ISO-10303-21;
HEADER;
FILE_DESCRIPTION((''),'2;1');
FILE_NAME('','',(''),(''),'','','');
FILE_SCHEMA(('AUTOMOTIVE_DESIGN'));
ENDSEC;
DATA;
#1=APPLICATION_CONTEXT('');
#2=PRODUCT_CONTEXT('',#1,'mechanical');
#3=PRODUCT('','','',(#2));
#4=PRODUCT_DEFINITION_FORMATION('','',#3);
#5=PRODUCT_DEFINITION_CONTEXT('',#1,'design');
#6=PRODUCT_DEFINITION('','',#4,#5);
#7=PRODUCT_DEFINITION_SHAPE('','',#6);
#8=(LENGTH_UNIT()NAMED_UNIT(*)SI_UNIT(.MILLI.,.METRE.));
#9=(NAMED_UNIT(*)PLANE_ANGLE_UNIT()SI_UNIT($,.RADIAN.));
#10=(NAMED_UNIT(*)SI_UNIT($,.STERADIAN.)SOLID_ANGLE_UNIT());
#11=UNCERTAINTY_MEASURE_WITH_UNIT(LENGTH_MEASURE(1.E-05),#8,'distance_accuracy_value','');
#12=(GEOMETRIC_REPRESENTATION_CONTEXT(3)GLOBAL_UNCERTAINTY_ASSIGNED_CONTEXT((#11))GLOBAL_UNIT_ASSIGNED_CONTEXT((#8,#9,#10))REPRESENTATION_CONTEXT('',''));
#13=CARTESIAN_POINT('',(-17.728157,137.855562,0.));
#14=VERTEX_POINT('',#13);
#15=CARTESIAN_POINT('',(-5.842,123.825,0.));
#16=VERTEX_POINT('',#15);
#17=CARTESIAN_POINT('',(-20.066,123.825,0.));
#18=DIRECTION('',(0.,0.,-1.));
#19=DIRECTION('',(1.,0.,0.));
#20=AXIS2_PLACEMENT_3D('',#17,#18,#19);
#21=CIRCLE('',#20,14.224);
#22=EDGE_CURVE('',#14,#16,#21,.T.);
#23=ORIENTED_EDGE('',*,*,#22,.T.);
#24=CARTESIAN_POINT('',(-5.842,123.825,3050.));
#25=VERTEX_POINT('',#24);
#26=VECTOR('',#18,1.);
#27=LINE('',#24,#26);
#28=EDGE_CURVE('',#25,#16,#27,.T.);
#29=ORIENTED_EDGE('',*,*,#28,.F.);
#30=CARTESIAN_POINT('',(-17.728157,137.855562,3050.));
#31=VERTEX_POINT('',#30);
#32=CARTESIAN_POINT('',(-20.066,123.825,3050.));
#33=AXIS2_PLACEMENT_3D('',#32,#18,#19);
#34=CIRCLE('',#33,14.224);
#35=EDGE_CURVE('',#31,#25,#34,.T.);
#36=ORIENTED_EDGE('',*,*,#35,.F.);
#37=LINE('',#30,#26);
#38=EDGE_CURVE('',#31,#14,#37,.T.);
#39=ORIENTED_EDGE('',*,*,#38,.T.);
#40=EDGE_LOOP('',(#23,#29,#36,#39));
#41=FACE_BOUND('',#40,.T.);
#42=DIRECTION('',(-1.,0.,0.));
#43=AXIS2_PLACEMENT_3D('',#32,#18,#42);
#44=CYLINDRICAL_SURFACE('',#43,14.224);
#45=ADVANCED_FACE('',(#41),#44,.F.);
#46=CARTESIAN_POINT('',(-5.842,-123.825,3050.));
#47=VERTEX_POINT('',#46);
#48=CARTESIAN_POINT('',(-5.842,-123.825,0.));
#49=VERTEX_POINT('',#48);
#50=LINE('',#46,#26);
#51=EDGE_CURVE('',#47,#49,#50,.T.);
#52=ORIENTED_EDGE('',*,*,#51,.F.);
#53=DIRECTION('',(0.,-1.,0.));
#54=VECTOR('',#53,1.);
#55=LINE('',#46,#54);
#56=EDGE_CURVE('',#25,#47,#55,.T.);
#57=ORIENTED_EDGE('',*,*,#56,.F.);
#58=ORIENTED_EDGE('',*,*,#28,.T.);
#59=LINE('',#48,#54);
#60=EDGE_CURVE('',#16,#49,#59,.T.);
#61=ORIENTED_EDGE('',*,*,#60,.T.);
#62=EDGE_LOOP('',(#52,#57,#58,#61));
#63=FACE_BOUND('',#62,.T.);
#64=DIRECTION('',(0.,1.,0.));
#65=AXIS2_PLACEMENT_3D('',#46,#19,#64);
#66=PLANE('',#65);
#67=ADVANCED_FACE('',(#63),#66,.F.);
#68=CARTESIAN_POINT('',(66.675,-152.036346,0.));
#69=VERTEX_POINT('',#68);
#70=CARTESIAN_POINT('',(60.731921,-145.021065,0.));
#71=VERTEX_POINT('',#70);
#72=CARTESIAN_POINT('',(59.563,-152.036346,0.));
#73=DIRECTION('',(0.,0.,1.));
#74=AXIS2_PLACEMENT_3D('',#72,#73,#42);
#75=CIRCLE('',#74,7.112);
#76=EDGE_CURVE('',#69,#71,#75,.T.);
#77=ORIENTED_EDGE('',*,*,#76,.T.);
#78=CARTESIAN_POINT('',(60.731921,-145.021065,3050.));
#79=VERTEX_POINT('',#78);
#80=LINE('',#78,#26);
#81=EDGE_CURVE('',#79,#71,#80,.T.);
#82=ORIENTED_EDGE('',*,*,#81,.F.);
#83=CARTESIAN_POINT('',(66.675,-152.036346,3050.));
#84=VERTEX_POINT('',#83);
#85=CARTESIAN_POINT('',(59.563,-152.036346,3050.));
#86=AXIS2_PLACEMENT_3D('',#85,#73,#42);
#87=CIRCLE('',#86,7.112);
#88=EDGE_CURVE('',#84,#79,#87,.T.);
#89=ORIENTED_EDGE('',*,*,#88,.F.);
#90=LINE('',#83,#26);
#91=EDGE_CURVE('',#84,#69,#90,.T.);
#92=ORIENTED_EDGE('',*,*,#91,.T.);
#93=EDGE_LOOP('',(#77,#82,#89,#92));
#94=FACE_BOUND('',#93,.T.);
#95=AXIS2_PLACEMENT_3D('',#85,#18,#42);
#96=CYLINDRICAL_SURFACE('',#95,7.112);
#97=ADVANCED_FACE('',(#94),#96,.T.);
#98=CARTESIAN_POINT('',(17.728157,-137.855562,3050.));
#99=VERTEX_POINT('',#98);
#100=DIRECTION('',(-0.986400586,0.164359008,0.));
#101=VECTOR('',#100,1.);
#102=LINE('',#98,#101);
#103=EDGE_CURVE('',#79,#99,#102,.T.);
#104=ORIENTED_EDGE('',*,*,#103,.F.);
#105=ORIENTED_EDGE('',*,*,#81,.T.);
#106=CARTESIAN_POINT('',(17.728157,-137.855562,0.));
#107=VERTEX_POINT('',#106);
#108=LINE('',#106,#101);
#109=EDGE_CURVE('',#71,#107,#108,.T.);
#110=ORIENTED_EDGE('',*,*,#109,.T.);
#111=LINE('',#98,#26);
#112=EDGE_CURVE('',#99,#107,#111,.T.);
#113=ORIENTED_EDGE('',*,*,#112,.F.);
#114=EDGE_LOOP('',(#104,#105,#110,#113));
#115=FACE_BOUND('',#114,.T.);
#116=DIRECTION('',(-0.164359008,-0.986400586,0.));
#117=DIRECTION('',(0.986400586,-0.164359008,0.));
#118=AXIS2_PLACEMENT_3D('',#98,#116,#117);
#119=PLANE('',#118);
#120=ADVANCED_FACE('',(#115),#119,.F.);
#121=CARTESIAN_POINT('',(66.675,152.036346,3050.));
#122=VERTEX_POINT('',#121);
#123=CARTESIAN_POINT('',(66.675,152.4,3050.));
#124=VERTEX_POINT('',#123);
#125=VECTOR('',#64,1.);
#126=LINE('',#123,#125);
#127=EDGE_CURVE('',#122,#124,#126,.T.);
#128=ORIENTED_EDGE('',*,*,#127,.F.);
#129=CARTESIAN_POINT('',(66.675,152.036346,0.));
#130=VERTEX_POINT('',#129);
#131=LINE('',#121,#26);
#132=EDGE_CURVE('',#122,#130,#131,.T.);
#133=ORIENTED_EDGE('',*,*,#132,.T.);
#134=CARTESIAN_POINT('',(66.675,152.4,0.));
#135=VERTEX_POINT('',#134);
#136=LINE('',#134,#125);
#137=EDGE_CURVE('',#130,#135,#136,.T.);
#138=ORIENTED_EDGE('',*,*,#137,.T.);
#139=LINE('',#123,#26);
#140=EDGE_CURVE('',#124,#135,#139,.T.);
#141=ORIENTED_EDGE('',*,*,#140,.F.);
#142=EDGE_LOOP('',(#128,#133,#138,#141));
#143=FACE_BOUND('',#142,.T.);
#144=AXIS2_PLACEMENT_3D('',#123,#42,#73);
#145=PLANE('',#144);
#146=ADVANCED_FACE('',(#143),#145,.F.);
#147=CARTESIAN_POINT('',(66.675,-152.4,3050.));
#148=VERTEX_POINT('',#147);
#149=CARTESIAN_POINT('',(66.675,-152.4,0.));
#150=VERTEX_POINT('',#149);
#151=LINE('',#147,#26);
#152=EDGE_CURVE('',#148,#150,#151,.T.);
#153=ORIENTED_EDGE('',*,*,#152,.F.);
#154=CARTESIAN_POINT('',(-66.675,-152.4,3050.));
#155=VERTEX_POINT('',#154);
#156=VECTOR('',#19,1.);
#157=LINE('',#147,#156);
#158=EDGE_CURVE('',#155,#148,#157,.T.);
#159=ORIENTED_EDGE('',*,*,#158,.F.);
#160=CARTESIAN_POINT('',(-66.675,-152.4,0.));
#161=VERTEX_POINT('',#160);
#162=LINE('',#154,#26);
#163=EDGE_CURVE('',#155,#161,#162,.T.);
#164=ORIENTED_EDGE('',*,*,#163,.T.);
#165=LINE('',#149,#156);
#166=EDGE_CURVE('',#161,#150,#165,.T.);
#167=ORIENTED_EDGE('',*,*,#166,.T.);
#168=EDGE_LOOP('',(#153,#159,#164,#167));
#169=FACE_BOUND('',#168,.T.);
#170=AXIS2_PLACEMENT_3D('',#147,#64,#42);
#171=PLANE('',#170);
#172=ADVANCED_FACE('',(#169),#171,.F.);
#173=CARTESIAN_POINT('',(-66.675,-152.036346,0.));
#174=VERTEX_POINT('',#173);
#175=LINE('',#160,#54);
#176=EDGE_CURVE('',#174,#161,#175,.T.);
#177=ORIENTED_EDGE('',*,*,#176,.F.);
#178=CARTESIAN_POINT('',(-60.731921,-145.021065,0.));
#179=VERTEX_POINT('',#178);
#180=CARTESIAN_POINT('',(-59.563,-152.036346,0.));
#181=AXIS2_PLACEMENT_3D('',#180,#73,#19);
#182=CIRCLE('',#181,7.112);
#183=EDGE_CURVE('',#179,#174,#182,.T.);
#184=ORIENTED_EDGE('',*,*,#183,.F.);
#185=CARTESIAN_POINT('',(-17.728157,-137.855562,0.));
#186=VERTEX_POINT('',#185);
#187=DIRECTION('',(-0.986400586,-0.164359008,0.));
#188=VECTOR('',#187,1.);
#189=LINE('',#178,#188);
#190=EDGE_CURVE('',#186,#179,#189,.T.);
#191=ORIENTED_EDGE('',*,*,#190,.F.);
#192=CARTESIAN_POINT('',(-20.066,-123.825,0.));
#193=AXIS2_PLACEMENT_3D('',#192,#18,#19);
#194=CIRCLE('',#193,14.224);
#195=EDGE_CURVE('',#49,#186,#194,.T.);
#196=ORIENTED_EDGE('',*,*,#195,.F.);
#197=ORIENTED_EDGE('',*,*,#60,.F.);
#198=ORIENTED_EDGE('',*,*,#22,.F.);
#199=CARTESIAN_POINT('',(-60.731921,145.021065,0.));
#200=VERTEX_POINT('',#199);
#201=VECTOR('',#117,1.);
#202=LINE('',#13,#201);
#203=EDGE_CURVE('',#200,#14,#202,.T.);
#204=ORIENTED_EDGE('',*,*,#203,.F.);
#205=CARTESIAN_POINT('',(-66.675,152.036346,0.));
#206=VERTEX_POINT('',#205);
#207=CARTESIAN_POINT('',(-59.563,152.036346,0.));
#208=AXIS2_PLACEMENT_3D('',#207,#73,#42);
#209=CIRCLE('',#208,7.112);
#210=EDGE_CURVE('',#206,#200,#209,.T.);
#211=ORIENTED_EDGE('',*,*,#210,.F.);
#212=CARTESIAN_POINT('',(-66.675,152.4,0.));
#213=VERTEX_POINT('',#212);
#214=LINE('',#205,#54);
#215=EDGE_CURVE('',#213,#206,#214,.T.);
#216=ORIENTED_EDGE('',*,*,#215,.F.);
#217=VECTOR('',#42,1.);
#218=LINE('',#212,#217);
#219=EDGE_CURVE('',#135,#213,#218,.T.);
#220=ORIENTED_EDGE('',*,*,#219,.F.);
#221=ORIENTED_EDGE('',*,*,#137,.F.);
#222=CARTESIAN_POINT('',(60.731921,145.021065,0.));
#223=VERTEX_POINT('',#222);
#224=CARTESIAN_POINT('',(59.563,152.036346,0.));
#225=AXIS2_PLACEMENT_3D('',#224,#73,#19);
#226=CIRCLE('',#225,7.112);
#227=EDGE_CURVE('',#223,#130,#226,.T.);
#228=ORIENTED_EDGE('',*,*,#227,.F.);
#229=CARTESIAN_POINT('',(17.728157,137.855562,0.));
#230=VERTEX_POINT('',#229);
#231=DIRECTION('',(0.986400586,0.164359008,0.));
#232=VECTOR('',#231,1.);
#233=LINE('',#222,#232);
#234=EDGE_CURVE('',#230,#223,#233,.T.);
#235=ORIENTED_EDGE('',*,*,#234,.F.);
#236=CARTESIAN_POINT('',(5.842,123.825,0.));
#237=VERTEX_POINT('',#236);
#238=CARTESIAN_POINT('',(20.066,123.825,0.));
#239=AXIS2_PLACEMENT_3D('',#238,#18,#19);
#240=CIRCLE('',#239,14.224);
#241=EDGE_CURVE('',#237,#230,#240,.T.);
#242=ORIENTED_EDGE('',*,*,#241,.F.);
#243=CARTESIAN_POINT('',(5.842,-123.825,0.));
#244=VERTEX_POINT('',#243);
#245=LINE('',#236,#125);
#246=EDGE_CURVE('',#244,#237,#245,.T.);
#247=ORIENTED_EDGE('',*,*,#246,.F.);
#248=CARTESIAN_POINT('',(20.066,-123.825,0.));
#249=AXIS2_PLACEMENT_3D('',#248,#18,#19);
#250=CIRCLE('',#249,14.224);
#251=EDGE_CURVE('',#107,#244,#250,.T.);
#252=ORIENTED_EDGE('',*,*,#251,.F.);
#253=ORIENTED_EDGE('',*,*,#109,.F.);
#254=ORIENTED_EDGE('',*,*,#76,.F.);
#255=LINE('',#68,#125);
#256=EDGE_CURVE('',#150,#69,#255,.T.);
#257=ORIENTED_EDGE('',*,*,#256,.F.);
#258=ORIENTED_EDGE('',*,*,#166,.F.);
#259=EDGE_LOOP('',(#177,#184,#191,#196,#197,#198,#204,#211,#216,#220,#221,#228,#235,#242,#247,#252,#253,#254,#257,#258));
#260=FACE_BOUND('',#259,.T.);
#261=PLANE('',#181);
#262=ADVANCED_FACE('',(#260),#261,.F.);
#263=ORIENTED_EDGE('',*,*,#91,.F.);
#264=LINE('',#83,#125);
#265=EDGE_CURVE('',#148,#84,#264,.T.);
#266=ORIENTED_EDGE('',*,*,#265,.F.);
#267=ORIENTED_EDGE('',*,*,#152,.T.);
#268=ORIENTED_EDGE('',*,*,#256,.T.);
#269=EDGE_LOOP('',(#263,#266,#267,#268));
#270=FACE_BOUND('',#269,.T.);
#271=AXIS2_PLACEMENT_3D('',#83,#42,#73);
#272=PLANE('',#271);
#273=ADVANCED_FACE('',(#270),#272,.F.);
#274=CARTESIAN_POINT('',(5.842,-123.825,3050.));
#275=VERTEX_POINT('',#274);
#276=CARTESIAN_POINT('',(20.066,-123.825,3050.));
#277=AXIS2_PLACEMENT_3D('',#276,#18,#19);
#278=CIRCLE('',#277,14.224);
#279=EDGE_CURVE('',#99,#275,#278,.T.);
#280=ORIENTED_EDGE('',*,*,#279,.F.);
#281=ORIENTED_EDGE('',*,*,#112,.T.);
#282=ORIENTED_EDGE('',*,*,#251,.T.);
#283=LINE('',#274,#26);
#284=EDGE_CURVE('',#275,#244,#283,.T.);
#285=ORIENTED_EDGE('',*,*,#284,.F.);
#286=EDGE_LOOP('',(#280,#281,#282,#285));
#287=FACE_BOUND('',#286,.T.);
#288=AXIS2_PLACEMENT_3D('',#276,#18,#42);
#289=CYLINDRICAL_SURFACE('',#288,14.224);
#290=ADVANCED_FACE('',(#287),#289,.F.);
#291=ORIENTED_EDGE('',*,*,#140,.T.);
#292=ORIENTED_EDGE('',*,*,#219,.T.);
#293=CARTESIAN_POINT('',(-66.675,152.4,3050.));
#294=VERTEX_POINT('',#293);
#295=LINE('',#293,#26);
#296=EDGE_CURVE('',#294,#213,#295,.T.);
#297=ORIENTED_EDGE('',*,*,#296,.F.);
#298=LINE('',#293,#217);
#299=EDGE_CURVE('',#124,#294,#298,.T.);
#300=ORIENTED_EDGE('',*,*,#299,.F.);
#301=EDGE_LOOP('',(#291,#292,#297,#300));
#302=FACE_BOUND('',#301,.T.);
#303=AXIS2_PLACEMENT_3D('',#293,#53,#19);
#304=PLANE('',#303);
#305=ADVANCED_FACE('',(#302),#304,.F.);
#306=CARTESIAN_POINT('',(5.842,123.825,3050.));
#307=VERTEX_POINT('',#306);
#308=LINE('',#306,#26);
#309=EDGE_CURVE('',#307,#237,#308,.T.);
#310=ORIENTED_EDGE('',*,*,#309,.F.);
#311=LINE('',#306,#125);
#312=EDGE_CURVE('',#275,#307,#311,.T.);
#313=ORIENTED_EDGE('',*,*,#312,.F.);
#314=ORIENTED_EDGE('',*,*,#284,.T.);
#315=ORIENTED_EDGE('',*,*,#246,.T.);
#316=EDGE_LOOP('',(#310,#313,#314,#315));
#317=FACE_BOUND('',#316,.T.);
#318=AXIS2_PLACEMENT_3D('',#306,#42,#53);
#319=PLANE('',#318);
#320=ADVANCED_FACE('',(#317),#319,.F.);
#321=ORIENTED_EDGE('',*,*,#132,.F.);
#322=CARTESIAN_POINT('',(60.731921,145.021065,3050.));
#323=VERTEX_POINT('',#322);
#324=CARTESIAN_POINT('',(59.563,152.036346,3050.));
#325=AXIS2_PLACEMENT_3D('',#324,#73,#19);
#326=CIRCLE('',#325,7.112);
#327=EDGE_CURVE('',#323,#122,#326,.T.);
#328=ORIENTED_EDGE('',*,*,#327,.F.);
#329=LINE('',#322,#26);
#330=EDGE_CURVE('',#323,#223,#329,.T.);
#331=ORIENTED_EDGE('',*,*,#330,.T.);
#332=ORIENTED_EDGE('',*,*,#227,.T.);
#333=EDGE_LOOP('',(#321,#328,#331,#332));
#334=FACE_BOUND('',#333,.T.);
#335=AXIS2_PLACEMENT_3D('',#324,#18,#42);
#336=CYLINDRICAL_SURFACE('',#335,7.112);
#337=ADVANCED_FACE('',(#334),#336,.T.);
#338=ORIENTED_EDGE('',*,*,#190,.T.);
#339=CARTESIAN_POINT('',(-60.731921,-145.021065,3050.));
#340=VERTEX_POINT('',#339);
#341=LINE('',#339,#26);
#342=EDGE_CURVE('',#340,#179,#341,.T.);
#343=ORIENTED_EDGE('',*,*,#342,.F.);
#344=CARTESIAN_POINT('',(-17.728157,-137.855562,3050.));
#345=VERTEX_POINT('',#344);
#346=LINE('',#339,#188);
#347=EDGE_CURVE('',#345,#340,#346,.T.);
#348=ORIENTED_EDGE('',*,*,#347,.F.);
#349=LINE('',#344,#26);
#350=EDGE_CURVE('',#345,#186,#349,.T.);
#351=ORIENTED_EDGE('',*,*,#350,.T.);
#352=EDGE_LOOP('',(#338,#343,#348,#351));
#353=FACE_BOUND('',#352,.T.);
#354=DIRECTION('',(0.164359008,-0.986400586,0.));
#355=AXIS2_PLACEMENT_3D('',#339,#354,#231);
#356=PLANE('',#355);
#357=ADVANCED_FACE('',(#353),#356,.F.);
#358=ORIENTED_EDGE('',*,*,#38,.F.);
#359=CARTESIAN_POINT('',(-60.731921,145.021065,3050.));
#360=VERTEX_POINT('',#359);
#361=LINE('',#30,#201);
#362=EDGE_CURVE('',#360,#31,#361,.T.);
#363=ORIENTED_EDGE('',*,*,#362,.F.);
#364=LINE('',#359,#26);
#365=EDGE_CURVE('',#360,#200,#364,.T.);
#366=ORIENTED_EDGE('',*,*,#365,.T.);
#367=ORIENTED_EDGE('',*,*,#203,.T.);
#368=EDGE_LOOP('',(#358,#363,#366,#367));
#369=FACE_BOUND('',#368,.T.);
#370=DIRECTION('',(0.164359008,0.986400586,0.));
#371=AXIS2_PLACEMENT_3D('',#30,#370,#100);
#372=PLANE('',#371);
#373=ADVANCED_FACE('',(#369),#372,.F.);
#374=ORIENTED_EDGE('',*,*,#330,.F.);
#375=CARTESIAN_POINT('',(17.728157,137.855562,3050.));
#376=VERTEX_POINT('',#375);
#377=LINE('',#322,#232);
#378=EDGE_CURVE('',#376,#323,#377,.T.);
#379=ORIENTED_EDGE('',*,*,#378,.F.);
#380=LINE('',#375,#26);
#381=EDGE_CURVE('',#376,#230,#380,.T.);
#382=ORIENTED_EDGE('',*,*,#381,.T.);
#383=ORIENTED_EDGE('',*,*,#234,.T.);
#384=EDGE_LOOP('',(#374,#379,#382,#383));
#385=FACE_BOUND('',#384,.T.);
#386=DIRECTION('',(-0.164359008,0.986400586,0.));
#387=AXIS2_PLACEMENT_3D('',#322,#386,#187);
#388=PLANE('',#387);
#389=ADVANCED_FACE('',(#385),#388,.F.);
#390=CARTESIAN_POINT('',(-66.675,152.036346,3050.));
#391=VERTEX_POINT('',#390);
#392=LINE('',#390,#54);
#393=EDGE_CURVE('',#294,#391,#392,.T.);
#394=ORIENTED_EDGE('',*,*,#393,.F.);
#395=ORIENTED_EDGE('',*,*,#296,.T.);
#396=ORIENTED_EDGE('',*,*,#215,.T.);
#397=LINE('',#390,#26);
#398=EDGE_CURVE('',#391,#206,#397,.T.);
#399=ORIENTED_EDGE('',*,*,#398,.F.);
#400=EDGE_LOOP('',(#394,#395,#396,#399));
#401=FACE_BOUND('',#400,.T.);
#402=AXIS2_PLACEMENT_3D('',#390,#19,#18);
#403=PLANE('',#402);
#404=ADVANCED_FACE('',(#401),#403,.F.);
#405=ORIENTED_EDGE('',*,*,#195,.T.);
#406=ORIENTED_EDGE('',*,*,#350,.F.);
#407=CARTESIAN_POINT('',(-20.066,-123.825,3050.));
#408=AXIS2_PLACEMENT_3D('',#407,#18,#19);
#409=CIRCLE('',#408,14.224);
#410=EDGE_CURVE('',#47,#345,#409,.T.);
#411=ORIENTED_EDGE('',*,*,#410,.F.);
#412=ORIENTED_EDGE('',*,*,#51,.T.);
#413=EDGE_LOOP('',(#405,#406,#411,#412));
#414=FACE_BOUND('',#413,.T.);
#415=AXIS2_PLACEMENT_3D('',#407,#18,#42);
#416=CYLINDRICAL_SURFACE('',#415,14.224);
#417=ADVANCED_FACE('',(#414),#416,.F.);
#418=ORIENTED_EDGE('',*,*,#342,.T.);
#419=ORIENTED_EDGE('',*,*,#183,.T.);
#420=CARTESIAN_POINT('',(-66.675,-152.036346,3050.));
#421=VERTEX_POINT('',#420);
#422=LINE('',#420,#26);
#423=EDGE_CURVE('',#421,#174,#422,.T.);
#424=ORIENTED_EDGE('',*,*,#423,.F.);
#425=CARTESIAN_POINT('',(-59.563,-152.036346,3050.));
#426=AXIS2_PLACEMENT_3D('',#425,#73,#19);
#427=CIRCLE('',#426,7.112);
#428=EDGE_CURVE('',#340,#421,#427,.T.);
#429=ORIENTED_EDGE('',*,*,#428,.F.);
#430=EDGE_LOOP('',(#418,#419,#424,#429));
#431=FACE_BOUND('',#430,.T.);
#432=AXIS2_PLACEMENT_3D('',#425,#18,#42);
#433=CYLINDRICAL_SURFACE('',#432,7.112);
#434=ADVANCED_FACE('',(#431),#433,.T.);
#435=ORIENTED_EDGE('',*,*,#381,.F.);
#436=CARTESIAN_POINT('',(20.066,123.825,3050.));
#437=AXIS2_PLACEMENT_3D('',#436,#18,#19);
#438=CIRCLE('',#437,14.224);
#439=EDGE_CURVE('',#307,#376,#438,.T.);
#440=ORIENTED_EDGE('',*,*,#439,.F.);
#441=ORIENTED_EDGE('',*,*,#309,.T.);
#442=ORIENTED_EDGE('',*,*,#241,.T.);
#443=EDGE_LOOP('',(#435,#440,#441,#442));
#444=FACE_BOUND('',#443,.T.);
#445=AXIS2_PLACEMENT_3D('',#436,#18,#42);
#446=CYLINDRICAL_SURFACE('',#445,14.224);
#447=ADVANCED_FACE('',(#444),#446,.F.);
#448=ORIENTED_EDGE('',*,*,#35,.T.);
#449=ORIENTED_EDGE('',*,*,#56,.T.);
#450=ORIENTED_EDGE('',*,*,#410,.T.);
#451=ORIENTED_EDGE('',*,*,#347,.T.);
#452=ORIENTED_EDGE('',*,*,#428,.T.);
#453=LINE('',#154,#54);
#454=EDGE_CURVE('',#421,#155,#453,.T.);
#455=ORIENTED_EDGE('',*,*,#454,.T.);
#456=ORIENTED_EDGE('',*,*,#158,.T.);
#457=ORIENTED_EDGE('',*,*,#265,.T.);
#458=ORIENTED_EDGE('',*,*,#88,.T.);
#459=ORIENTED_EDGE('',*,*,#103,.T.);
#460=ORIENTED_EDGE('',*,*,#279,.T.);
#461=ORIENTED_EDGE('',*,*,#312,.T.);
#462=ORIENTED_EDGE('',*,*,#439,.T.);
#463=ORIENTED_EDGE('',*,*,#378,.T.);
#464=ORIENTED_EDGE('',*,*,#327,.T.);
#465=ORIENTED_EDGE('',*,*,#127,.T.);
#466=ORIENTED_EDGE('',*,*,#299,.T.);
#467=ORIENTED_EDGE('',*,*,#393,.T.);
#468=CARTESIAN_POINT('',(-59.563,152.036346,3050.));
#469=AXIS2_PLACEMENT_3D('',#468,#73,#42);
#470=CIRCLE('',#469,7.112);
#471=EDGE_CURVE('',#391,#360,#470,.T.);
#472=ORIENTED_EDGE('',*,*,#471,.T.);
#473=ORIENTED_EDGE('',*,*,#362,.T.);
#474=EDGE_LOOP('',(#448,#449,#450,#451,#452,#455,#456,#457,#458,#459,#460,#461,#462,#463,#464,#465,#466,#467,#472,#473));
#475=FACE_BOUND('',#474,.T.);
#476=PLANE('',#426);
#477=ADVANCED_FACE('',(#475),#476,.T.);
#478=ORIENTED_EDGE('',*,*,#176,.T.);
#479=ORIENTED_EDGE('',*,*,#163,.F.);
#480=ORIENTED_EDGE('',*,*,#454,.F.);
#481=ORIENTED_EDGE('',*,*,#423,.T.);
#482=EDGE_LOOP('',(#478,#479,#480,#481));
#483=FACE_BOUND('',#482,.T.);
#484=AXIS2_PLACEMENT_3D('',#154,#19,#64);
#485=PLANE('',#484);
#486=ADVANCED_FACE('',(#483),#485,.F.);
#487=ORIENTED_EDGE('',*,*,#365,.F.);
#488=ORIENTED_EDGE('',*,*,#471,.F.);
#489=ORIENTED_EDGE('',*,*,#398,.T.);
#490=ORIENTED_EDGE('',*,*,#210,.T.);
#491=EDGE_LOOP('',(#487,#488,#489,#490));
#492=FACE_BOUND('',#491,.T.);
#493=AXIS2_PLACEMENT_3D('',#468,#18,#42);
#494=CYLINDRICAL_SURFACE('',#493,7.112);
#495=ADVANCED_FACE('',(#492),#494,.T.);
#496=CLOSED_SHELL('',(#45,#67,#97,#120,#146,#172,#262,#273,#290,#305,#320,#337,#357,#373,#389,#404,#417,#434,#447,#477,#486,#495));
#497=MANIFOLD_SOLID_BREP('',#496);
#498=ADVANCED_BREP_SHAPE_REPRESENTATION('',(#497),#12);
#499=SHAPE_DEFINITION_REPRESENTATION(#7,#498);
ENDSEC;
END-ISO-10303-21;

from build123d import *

# Parameters (mm, degrees)
EXTRUDE1_DEPTH = 3050


with BuildPart() as part:
    # Sketch1 → Extrude1 (new body)
    with BuildSketch(Plane.XY):
        with BuildLine():
            Line((-66.675, -152.4), (-66.675, -152.03634552))
            ThreePointArc((-66.675, -152.03634552), (-64.989504955, -147.439217289), (-60.731921268, -145.021064551))
            Line((-60.731921268, -145.021064551), (-17.728157464, -137.855561937))
            ThreePointArc((-17.728157464, -137.855561937), (-9.212990089, -133.019256462), (-5.842, -123.825))
            Line((-5.842, -123.825), (-5.842, 123.825))
            ThreePointArc((-5.842, 123.825), (-9.212990089, 133.019256462), (-17.728157464, 137.855561937))
            Line((-17.728157464, 137.855561937), (-60.731921268, 145.021064551))
            ThreePointArc((-60.731921268, 145.021064551), (-64.989504955, 147.439217289), (-66.675, 152.03634552))
            Line((-66.675, 152.03634552), (-66.675, 152.4))
            Line((-66.675, 152.4), (66.675, 152.4))
            Line((66.675, 152.4), (66.675, 152.03634552))
            ThreePointArc((66.675, 152.03634552), (64.989504955, 147.439217289), (60.731921268, 145.021064551))
            Line((60.731921268, 145.021064551), (17.728157464, 137.855561937))
            ThreePointArc((17.728157464, 137.855561937), (9.212990089, 133.019256462), (5.842, 123.825))
            Line((5.842, 123.825), (5.842, -123.825))
            ThreePointArc((5.842, -123.825), (9.212990089, -133.019256462), (17.728157464, -137.855561937))
            Line((17.728157464, -137.855561937), (60.731921268, -145.021064551))
            ThreePointArc((60.731921268, -145.021064551), (64.989504955, -147.439217289), (66.675, -152.03634552))
            Line((66.675, -152.03634552), (66.675, -152.4))
            Line((66.675, -152.4), (-66.675, -152.4))
        make_face()
    extrude(amount=EXTRUDE1_DEPTH)


solid = part.part
